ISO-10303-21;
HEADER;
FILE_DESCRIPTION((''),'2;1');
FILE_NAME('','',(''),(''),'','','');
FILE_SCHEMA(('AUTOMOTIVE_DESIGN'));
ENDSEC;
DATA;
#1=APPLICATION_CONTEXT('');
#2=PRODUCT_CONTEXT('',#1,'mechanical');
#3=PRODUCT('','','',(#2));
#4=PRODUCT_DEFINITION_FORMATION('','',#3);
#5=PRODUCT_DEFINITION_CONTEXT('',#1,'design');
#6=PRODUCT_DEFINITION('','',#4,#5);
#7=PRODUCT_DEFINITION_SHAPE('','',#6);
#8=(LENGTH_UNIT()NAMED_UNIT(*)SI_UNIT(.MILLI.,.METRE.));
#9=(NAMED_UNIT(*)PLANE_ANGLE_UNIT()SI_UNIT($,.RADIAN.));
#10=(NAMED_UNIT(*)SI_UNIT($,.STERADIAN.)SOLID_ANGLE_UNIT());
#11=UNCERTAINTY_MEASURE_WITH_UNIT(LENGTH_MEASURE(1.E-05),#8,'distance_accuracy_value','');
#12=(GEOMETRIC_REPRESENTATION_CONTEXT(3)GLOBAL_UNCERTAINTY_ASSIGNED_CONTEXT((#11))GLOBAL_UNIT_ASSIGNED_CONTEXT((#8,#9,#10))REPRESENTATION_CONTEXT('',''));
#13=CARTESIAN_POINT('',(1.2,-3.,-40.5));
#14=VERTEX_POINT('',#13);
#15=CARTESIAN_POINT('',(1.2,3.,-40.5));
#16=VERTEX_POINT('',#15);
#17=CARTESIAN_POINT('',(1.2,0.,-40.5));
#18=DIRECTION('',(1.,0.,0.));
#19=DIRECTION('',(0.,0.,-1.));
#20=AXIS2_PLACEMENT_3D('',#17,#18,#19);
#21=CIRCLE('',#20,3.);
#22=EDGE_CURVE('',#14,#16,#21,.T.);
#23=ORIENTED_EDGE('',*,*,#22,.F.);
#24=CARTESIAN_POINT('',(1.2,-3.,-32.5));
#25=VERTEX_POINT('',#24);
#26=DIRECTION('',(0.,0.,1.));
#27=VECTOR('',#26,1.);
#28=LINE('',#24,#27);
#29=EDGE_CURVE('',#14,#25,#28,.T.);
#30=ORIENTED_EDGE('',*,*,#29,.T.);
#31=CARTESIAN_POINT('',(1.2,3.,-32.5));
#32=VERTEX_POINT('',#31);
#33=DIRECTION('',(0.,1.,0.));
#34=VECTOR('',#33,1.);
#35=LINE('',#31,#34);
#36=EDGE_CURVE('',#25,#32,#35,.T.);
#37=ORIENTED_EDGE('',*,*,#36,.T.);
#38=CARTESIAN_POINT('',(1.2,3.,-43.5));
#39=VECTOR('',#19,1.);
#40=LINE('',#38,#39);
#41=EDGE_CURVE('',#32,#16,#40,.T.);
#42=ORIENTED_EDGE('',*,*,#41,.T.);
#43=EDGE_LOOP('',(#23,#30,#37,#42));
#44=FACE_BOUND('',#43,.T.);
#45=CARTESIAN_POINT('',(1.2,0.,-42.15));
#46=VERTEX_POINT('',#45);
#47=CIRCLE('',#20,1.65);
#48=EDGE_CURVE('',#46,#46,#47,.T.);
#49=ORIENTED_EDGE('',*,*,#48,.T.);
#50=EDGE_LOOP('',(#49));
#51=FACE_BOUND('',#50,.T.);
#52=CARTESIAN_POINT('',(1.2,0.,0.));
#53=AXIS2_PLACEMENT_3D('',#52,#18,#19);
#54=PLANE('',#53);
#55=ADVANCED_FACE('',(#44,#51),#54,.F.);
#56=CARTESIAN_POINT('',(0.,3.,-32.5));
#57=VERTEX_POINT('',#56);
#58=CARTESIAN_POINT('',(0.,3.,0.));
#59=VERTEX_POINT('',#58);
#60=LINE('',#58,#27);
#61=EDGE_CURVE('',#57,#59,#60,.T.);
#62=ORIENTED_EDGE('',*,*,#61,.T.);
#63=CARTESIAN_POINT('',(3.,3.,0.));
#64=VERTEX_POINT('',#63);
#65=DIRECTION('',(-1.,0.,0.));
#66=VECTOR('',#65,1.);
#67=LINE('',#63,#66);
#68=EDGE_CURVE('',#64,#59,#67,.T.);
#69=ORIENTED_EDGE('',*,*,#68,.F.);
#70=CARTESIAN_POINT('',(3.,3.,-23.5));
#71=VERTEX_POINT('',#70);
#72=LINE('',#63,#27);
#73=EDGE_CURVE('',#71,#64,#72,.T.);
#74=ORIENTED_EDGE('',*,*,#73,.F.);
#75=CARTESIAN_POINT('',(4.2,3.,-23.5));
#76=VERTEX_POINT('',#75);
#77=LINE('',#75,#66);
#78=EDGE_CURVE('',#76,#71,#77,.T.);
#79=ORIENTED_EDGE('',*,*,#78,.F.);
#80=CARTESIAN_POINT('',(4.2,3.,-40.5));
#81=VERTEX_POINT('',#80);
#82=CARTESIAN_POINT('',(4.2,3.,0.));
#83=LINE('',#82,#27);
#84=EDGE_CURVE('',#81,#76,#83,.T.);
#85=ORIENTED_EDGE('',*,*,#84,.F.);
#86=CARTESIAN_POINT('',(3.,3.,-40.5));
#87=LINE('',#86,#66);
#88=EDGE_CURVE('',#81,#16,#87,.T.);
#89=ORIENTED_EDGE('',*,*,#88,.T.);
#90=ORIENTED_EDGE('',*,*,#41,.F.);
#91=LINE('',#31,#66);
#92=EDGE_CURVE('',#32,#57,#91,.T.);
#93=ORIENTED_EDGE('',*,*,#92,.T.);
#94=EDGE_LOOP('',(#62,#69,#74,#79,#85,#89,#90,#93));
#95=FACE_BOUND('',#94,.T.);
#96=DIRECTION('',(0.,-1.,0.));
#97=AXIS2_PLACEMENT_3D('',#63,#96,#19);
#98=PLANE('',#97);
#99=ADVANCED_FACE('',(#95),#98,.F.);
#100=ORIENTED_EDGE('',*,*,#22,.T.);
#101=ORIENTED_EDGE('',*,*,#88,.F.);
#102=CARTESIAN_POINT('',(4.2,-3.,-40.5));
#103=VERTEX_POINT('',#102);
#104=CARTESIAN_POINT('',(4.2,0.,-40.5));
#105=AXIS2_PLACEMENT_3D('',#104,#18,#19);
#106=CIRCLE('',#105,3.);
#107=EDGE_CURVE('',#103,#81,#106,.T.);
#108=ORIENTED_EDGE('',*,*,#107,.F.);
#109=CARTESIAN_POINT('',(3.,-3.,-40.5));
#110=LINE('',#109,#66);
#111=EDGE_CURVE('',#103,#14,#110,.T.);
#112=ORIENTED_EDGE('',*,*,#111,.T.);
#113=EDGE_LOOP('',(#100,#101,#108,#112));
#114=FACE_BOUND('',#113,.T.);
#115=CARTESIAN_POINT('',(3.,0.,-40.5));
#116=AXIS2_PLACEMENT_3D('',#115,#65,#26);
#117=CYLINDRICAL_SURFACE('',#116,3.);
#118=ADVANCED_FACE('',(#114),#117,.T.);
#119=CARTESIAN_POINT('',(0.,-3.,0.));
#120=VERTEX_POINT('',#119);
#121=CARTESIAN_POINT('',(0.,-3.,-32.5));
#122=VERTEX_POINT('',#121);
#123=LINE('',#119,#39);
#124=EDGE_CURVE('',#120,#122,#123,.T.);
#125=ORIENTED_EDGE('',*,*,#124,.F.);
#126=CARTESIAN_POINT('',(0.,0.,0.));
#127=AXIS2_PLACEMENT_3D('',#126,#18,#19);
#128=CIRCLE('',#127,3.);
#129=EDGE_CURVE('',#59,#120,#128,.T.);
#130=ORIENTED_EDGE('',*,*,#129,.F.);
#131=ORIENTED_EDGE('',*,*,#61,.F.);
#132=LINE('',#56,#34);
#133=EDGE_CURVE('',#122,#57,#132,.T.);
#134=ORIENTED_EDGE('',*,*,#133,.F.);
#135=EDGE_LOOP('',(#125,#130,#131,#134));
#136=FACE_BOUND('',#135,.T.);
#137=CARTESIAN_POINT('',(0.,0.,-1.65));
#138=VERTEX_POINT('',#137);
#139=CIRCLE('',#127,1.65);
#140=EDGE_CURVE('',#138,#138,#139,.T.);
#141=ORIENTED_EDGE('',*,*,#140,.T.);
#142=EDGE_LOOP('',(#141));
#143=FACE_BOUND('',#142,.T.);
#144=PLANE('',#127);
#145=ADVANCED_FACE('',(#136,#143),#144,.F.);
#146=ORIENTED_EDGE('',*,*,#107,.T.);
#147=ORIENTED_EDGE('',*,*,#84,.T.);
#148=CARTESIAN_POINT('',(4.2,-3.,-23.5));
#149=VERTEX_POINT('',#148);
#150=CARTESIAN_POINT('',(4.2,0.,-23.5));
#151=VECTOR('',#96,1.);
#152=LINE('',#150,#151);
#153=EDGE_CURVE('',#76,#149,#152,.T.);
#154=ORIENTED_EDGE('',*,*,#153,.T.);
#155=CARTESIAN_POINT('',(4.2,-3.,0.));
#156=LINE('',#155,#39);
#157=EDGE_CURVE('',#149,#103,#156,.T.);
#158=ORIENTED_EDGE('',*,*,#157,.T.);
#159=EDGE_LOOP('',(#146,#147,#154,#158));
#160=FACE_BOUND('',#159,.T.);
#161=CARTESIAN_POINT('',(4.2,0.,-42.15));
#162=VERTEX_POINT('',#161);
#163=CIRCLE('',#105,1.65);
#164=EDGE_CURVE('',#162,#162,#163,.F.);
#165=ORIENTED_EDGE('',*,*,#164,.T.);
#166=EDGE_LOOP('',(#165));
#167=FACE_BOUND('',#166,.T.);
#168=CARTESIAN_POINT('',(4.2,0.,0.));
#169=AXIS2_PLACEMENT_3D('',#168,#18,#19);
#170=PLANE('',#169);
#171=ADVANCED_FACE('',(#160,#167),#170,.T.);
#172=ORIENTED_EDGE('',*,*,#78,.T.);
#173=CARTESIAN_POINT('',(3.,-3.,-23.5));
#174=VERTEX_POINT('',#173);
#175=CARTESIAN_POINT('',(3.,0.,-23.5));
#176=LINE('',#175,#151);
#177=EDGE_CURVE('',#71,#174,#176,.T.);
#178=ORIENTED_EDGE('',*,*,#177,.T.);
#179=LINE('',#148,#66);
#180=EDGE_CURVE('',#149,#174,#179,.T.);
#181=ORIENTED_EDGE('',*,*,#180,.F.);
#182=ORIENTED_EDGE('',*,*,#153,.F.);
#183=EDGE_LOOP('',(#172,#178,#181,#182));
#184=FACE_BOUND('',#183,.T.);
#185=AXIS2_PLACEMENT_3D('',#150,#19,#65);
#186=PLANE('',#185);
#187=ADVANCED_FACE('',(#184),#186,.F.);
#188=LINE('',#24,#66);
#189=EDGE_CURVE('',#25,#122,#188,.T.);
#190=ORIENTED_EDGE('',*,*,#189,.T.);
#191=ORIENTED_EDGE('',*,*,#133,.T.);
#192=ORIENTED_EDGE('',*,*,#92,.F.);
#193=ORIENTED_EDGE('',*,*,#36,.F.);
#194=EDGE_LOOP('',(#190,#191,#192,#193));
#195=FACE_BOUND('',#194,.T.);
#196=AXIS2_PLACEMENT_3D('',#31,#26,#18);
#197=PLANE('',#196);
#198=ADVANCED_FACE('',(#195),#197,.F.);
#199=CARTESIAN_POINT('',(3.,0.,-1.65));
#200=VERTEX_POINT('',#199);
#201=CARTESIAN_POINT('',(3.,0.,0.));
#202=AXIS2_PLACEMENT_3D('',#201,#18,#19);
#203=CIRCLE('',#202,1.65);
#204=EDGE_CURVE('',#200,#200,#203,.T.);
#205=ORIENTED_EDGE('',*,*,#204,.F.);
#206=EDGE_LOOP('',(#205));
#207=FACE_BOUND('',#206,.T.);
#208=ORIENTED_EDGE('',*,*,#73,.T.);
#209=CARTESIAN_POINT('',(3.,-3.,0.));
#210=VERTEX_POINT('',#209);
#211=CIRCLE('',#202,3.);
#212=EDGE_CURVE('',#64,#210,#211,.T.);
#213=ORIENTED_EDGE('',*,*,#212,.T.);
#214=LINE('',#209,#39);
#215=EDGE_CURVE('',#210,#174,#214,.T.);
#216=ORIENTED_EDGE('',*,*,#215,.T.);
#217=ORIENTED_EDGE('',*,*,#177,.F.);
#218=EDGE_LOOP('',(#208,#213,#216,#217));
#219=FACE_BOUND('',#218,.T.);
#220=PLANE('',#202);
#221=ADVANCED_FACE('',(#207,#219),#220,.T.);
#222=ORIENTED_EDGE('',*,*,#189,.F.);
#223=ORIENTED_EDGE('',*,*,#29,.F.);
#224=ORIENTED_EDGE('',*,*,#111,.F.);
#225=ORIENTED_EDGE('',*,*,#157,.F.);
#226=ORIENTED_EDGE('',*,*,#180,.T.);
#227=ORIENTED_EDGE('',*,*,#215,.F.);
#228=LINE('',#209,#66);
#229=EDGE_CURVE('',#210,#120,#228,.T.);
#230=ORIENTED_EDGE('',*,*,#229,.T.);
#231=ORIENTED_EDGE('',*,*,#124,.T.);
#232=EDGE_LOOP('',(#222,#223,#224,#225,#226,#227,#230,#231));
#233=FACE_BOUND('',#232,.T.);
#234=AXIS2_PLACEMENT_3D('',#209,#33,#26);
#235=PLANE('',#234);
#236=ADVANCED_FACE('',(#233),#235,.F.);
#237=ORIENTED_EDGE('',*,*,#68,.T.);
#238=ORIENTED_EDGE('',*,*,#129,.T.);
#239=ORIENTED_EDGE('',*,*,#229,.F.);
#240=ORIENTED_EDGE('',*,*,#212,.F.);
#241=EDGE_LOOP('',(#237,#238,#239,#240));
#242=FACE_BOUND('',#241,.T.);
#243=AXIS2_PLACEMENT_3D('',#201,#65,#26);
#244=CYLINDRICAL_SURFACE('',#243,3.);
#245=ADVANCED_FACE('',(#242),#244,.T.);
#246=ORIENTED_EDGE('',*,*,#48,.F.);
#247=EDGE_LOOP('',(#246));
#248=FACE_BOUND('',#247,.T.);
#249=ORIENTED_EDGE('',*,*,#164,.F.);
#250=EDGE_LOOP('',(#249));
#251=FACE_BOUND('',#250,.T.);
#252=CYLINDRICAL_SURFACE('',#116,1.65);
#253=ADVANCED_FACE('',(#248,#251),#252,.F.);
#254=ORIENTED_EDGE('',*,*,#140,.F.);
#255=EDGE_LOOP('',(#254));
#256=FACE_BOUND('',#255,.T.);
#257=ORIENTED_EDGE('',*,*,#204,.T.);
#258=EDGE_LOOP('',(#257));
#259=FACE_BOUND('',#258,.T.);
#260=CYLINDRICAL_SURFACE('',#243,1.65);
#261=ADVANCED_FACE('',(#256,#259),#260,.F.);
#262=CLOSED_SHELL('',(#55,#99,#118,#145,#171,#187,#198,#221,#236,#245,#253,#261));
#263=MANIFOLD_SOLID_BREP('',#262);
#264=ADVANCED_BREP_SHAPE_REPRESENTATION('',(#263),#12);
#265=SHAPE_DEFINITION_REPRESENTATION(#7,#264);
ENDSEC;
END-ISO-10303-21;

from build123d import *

# Parameters (mm, degrees)
SKETCH1_R           = 1.65
BOSS_EXTRUDE1_DEPTH = 3
SKETCH3_W           = 11
SKETCH3_H           = 6
CUT_EXTRUDE2_DEPTH  = 1.2
SKETCH4_R           = 1.65
BOSS_EXTRUDE2_DEPTH = 1.2


with BuildPart() as part:
    # Sketch1 → Boss-Extrude1 (new body)
    with BuildSketch(Plane(origin=(0, 0, 0), x_dir=(0, 0, -1), z_dir=(1, 0, 0))):
        with BuildLine():
            Line((0, 3), (40.5, 3))
            ThreePointArc((40.5, 3), (43.5, 0), (40.5, -3))
            Line((40.5, -3), (0, -3))
            ThreePointArc((0, -3), (-3, 0), (0, 3))
        make_face()
        Circle(SKETCH1_R, mode=Mode.SUBTRACT)
        with Locations((40.5, 0)):
            Circle(SKETCH1_R, mode=Mode.SUBTRACT)
    extrude(amount=BOSS_EXTRUDE1_DEPTH)

    # Sketch3 → Cut-Extrude2 (cut)
    with BuildSketch(Plane.ZY):
        with Locations((-38, 0)):
            Rectangle(SKETCH3_W, SKETCH3_H)
    extrude(amount=-CUT_EXTRUDE2_DEPTH, mode=Mode.SUBTRACT)

    # Sketch4 → Boss-Extrude2 (add)
    with BuildSketch(Plane(origin=(3, 0, 0), x_dir=(0, 0, -1), z_dir=(1, 0, 0))):
        with BuildLine():
            Line((40.5, 3), (23.5, 3))
            Line((23.5, 3), (23.5, -3))
            Line((23.5, -3), (40.5, -3))
            ThreePointArc((40.5, -3), (43.5, 0), (40.5, 3))
        make_face()
        with Locations((40.5, 0)):
            Circle(SKETCH4_R, mode=Mode.SUBTRACT)
    extrude(amount=BOSS_EXTRUDE2_DEPTH)


solid = part.part
